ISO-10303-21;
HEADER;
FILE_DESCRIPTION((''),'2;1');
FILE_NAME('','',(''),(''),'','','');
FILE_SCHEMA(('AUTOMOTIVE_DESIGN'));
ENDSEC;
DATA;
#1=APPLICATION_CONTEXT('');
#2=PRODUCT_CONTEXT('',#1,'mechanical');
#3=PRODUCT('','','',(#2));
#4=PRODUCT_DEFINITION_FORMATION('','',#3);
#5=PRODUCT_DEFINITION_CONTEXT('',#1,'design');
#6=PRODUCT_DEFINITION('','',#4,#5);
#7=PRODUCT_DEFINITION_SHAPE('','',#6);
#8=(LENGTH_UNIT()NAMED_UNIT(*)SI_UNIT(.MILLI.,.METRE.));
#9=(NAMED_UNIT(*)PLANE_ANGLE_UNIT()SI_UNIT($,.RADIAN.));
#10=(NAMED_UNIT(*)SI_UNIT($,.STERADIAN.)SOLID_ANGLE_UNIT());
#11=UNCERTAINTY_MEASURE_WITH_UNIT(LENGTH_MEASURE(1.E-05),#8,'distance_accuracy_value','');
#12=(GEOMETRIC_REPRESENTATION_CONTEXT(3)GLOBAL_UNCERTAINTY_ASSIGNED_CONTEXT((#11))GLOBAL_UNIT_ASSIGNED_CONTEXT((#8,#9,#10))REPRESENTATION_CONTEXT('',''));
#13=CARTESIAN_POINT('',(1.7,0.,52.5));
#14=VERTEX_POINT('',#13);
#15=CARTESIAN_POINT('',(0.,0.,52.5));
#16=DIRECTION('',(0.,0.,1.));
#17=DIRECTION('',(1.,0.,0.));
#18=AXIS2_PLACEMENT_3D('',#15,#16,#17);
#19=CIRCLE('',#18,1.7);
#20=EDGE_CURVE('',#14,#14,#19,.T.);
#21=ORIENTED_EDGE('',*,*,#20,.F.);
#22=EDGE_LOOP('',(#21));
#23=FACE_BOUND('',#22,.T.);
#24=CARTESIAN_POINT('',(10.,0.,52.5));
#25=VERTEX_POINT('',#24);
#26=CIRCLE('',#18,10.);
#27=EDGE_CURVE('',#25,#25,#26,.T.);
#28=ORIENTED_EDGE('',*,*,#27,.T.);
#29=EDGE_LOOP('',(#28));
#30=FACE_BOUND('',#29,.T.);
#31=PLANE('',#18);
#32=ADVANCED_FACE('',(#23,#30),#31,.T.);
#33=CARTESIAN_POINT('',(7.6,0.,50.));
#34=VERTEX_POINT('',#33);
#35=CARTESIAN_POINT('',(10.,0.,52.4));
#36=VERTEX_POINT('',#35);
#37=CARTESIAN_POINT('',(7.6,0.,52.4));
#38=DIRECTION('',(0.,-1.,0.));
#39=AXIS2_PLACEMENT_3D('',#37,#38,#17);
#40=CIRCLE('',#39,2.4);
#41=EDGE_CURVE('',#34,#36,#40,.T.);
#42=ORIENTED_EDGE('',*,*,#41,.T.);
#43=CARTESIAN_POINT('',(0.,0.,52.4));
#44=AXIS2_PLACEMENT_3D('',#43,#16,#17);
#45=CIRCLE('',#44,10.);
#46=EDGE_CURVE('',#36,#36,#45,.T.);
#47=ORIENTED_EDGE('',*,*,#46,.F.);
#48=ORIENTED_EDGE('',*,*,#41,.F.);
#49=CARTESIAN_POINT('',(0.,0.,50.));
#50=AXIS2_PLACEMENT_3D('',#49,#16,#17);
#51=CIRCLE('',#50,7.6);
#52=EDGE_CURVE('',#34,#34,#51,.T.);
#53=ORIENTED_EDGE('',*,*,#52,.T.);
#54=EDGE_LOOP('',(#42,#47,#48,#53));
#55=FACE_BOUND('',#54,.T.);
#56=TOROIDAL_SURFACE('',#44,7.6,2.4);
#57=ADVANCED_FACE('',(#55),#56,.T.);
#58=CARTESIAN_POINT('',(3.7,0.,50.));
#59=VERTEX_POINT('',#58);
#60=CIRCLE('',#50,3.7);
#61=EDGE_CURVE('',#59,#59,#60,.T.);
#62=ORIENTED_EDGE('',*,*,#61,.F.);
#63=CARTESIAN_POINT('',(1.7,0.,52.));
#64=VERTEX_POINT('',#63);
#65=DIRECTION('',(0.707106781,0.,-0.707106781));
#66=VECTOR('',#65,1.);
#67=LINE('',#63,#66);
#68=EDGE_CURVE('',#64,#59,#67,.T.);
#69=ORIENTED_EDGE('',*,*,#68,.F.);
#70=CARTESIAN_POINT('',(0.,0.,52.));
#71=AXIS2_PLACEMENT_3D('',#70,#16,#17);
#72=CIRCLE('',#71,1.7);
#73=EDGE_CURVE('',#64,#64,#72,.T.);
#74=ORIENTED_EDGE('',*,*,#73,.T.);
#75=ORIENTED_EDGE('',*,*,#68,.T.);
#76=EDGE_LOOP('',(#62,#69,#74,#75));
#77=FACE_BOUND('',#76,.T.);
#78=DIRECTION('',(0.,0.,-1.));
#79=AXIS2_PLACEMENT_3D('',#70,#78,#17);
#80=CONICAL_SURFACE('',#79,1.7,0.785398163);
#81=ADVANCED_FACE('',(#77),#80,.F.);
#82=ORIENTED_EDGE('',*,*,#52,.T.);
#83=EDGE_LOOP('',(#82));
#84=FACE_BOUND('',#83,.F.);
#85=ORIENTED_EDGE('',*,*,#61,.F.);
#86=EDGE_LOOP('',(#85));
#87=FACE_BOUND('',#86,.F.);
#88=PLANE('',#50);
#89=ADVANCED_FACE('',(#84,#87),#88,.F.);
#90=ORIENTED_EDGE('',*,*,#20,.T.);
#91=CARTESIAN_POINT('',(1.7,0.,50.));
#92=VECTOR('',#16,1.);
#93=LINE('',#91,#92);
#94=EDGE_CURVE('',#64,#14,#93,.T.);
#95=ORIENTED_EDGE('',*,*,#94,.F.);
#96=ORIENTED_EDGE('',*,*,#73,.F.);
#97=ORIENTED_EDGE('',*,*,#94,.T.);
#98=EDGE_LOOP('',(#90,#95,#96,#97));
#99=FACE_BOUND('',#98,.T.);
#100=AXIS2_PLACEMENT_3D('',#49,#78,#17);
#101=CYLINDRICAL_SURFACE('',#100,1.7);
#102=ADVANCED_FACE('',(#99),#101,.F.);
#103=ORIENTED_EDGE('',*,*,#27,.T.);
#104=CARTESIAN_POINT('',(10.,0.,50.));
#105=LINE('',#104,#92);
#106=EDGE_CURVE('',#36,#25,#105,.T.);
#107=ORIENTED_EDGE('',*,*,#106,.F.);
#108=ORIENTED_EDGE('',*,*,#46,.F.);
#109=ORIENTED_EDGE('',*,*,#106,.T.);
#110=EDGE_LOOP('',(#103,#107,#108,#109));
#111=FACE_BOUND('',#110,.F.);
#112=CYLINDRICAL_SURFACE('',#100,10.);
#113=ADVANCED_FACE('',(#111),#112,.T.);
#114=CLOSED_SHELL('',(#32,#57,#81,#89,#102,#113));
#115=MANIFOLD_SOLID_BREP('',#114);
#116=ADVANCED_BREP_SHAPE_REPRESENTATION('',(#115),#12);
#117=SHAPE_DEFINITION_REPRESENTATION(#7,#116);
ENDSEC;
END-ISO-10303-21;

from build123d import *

# Parameters (mm, degrees)
TUBE001_R       = 10
TUBE001_R_2     = 1.7
TUBE001_DEPTH   = 2.5
CHAMFER002_SIZE = 2
FILLET001_R     = 2.4


with BuildPart() as part:
    # Tube001 → Tube001 (new body)
    with BuildSketch(Plane.XY):
        Circle(TUBE001_R)
        Circle(TUBE001_R_2, mode=Mode.SUBTRACT)
    extrude(amount=TUBE001_DEPTH)

    # Chamfer002
    chamfer002_edges = [part.edges().sort_by_distance(p)[0] for p in [
        (-1.7, 0, 0),
    ]]
    chamfer(chamfer002_edges, length=CHAMFER002_SIZE)

    # Fillet001
    fillet001_edges = [part.edges().sort_by_distance(p)[0] for p in [
        (-10, 0, 0),
    ]]
    fillet(fillet001_edges, radius=FILLET001_R)


with BuildPart() as part_1:
    # Fillet001 placement: moved
    add(part.part.moved(Location((0, 0, 50))))


solid = part_1.part
